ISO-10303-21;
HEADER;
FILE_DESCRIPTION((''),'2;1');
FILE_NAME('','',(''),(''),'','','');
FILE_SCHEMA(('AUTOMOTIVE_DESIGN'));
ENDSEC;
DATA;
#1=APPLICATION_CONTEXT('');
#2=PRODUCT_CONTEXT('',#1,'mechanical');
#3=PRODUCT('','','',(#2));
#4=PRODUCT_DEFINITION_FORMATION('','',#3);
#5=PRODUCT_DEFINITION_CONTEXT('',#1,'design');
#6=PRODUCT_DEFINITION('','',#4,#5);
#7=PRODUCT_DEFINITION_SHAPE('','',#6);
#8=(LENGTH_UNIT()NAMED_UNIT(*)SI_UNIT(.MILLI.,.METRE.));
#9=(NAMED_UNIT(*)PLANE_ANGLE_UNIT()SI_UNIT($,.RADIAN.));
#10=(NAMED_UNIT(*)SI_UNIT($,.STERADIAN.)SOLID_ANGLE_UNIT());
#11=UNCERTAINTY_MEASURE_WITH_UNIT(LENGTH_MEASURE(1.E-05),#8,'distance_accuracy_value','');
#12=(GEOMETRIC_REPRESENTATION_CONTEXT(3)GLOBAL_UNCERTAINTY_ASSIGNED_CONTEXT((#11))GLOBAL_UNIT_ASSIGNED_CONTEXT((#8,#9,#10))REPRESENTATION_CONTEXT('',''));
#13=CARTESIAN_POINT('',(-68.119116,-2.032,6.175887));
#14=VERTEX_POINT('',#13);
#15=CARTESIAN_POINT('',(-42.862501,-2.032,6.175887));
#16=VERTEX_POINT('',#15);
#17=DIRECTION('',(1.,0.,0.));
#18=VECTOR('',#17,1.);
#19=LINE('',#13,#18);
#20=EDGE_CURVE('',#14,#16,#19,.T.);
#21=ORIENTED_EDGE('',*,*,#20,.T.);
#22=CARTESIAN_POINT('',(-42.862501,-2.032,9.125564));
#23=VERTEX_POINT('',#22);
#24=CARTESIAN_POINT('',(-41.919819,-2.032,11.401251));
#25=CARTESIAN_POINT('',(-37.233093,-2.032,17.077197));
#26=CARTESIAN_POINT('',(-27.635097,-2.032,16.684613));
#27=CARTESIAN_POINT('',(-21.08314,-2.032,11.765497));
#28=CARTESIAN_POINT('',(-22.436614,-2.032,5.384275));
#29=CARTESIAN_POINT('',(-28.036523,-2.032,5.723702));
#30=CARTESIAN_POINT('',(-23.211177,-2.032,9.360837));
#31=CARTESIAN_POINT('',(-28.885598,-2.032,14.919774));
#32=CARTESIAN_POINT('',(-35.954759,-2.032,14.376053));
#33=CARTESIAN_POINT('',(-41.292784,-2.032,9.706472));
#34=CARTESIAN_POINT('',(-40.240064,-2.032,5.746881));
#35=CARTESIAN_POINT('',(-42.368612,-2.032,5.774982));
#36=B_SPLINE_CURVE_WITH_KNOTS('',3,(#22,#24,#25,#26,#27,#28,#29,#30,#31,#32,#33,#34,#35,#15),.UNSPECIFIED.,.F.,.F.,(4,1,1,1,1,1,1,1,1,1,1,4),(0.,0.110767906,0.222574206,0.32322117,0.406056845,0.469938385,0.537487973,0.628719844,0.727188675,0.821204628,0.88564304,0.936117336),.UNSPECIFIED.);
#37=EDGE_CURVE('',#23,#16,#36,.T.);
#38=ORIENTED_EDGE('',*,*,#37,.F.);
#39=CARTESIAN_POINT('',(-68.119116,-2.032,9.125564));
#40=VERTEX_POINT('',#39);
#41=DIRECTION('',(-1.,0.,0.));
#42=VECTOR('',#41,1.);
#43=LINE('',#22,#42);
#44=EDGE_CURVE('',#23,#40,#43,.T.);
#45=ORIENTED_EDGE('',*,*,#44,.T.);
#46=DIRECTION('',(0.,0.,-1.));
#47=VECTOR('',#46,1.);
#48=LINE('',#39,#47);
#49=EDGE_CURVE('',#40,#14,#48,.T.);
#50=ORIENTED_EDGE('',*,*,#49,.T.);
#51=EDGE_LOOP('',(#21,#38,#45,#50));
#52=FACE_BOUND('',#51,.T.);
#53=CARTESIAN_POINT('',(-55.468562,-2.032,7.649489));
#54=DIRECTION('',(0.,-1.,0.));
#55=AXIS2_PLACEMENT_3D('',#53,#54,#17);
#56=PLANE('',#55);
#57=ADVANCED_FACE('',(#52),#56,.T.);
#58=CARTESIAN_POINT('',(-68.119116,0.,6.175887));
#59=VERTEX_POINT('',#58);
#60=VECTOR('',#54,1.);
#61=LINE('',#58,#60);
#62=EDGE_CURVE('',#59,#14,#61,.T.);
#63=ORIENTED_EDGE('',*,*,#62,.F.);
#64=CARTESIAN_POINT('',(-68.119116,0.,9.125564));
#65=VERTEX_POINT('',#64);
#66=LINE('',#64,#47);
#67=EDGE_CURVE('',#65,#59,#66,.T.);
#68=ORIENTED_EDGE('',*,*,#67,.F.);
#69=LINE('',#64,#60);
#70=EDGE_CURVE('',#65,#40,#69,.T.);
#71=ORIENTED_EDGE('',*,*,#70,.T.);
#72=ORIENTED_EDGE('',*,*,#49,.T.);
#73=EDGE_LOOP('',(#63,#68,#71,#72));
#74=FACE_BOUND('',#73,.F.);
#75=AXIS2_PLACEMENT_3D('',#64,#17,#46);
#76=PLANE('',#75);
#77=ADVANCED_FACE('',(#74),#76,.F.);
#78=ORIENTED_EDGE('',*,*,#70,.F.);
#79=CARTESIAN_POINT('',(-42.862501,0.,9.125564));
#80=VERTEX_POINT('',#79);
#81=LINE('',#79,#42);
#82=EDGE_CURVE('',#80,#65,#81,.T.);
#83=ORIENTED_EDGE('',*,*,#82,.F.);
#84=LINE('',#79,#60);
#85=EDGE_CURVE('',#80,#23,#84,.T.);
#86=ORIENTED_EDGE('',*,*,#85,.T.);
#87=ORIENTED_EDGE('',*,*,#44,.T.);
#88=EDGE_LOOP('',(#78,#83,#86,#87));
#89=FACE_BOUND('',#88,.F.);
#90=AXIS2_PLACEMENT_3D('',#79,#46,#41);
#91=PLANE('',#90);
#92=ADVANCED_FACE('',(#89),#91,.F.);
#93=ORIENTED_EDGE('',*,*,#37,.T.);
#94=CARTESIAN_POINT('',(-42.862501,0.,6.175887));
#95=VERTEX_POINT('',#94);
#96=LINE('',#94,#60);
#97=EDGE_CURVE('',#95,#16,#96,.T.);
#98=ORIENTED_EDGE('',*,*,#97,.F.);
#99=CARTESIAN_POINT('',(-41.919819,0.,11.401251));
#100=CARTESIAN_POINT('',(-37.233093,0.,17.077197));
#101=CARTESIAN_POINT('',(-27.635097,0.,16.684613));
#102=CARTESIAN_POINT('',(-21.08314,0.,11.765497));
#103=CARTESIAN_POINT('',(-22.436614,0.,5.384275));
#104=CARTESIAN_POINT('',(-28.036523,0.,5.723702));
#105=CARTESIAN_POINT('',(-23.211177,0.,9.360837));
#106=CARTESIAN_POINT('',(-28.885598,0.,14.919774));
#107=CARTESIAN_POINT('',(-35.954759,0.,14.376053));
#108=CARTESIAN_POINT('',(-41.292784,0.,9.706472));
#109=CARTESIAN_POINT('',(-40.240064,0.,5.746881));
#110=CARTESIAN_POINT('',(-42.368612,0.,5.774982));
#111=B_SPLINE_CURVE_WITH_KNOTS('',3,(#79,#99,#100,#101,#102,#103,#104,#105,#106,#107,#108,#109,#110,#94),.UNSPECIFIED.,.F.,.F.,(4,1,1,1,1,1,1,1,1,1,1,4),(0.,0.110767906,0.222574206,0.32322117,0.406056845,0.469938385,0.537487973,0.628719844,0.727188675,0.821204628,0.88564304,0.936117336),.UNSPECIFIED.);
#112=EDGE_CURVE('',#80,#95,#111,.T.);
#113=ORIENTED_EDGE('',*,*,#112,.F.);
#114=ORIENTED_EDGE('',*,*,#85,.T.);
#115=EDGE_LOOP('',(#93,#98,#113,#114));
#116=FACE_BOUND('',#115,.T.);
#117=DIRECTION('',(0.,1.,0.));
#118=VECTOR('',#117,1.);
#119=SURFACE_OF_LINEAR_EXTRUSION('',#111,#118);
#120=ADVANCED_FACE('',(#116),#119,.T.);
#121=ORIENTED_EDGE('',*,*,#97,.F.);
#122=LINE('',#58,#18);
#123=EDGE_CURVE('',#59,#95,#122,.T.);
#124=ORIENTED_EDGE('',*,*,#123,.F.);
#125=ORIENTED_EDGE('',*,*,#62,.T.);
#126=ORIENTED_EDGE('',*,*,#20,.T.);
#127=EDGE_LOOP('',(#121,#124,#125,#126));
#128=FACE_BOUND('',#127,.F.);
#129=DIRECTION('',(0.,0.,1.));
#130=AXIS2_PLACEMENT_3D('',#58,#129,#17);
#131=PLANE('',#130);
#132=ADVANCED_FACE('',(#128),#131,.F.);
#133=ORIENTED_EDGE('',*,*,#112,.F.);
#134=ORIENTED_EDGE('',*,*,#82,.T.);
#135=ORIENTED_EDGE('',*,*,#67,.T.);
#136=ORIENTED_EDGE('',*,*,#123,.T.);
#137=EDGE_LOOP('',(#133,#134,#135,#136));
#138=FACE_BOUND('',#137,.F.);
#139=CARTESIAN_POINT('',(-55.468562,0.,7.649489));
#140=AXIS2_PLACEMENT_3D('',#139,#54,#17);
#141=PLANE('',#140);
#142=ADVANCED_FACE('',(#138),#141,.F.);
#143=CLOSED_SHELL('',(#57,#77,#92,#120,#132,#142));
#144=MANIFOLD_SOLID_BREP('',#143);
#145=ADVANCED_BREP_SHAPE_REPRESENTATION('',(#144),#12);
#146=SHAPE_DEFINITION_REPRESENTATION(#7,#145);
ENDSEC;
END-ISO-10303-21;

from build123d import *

# Parameters (mm, degrees)
F1_DEPTH = 2.032


with BuildPart() as f1:
    # F0 (on Front) → F1 (new body)
    with BuildSketch(Plane.XZ):
        with BuildLine():
            Line((-42.8625009954, 9.1255642474), (-68.1191161275, 9.1255642474))
            Line((-68.1191161275, 9.1255642474), (-68.1191161275, 6.1758873053))
            Line((-68.1191161275, 6.1758873053), (-42.8625009954, 6.1758873053))
            add(Edge.make_bspline(
                [(-42.8625009954, 6.1758873053), (-43.4875903557, 6.6832914789), (-43.4061693682, 7.8131180843), (-42.8625009954, 9.1255642474)],
                knots=[0.9361173363, 0.9361173363, 0.9361173363, 0.9361173363, 1, 1, 1, 1], degree=3))
        make_face()
        with BuildLine():
            add(Edge.make_bspline(
                [(-42.8625009954, 9.1255642474), (-41.919819465, 11.4012507129), (-37.233093338, 17.0771971601), (-27.6350971059, 16.6846134766), (-21.0831396014, 11.7654969709), (-22.4366138067, 5.3842753364), (-28.0365233676, 5.7237022822), (-23.2111774712, 9.3608367028), (-28.8855977898, 14.9197742966), (-35.9547590915, 14.3760528794), (-41.2927841645, 9.7064724994), (-40.2400635725, 5.7468808935), (-42.3686119796, 5.7749824686), (-42.8625009954, 6.1758873053)],
                knots=[0, 0, 0, 0, 0.1107679059, 0.2225742061, 0.3232211698, 0.4060568454, 0.4699383846, 0.5374879725, 0.6287198444, 0.7271886755, 0.8212046278, 0.8856430395, 0.9361173363, 0.9361173363, 0.9361173363, 0.9361173363], degree=3))
            Line((-42.8625009954, 9.1255642474), (-42.8625009954, 6.1758873053))
        make_face()
        with BuildLine():
            Line((-42.8625009954, 6.1758873053), (-42.8625009954, 9.1255642474))
            add(Edge.make_bspline(
                [(-42.8625009954, 6.1758873053), (-43.4875903557, 6.6832914789), (-43.4061693682, 7.8131180843), (-42.8625009954, 9.1255642474)],
                knots=[0.9361173363, 0.9361173363, 0.9361173363, 0.9361173363, 1, 1, 1, 1], degree=3))
        make_face()
    extrude(amount=F1_DEPTH)


solid = f1.part
